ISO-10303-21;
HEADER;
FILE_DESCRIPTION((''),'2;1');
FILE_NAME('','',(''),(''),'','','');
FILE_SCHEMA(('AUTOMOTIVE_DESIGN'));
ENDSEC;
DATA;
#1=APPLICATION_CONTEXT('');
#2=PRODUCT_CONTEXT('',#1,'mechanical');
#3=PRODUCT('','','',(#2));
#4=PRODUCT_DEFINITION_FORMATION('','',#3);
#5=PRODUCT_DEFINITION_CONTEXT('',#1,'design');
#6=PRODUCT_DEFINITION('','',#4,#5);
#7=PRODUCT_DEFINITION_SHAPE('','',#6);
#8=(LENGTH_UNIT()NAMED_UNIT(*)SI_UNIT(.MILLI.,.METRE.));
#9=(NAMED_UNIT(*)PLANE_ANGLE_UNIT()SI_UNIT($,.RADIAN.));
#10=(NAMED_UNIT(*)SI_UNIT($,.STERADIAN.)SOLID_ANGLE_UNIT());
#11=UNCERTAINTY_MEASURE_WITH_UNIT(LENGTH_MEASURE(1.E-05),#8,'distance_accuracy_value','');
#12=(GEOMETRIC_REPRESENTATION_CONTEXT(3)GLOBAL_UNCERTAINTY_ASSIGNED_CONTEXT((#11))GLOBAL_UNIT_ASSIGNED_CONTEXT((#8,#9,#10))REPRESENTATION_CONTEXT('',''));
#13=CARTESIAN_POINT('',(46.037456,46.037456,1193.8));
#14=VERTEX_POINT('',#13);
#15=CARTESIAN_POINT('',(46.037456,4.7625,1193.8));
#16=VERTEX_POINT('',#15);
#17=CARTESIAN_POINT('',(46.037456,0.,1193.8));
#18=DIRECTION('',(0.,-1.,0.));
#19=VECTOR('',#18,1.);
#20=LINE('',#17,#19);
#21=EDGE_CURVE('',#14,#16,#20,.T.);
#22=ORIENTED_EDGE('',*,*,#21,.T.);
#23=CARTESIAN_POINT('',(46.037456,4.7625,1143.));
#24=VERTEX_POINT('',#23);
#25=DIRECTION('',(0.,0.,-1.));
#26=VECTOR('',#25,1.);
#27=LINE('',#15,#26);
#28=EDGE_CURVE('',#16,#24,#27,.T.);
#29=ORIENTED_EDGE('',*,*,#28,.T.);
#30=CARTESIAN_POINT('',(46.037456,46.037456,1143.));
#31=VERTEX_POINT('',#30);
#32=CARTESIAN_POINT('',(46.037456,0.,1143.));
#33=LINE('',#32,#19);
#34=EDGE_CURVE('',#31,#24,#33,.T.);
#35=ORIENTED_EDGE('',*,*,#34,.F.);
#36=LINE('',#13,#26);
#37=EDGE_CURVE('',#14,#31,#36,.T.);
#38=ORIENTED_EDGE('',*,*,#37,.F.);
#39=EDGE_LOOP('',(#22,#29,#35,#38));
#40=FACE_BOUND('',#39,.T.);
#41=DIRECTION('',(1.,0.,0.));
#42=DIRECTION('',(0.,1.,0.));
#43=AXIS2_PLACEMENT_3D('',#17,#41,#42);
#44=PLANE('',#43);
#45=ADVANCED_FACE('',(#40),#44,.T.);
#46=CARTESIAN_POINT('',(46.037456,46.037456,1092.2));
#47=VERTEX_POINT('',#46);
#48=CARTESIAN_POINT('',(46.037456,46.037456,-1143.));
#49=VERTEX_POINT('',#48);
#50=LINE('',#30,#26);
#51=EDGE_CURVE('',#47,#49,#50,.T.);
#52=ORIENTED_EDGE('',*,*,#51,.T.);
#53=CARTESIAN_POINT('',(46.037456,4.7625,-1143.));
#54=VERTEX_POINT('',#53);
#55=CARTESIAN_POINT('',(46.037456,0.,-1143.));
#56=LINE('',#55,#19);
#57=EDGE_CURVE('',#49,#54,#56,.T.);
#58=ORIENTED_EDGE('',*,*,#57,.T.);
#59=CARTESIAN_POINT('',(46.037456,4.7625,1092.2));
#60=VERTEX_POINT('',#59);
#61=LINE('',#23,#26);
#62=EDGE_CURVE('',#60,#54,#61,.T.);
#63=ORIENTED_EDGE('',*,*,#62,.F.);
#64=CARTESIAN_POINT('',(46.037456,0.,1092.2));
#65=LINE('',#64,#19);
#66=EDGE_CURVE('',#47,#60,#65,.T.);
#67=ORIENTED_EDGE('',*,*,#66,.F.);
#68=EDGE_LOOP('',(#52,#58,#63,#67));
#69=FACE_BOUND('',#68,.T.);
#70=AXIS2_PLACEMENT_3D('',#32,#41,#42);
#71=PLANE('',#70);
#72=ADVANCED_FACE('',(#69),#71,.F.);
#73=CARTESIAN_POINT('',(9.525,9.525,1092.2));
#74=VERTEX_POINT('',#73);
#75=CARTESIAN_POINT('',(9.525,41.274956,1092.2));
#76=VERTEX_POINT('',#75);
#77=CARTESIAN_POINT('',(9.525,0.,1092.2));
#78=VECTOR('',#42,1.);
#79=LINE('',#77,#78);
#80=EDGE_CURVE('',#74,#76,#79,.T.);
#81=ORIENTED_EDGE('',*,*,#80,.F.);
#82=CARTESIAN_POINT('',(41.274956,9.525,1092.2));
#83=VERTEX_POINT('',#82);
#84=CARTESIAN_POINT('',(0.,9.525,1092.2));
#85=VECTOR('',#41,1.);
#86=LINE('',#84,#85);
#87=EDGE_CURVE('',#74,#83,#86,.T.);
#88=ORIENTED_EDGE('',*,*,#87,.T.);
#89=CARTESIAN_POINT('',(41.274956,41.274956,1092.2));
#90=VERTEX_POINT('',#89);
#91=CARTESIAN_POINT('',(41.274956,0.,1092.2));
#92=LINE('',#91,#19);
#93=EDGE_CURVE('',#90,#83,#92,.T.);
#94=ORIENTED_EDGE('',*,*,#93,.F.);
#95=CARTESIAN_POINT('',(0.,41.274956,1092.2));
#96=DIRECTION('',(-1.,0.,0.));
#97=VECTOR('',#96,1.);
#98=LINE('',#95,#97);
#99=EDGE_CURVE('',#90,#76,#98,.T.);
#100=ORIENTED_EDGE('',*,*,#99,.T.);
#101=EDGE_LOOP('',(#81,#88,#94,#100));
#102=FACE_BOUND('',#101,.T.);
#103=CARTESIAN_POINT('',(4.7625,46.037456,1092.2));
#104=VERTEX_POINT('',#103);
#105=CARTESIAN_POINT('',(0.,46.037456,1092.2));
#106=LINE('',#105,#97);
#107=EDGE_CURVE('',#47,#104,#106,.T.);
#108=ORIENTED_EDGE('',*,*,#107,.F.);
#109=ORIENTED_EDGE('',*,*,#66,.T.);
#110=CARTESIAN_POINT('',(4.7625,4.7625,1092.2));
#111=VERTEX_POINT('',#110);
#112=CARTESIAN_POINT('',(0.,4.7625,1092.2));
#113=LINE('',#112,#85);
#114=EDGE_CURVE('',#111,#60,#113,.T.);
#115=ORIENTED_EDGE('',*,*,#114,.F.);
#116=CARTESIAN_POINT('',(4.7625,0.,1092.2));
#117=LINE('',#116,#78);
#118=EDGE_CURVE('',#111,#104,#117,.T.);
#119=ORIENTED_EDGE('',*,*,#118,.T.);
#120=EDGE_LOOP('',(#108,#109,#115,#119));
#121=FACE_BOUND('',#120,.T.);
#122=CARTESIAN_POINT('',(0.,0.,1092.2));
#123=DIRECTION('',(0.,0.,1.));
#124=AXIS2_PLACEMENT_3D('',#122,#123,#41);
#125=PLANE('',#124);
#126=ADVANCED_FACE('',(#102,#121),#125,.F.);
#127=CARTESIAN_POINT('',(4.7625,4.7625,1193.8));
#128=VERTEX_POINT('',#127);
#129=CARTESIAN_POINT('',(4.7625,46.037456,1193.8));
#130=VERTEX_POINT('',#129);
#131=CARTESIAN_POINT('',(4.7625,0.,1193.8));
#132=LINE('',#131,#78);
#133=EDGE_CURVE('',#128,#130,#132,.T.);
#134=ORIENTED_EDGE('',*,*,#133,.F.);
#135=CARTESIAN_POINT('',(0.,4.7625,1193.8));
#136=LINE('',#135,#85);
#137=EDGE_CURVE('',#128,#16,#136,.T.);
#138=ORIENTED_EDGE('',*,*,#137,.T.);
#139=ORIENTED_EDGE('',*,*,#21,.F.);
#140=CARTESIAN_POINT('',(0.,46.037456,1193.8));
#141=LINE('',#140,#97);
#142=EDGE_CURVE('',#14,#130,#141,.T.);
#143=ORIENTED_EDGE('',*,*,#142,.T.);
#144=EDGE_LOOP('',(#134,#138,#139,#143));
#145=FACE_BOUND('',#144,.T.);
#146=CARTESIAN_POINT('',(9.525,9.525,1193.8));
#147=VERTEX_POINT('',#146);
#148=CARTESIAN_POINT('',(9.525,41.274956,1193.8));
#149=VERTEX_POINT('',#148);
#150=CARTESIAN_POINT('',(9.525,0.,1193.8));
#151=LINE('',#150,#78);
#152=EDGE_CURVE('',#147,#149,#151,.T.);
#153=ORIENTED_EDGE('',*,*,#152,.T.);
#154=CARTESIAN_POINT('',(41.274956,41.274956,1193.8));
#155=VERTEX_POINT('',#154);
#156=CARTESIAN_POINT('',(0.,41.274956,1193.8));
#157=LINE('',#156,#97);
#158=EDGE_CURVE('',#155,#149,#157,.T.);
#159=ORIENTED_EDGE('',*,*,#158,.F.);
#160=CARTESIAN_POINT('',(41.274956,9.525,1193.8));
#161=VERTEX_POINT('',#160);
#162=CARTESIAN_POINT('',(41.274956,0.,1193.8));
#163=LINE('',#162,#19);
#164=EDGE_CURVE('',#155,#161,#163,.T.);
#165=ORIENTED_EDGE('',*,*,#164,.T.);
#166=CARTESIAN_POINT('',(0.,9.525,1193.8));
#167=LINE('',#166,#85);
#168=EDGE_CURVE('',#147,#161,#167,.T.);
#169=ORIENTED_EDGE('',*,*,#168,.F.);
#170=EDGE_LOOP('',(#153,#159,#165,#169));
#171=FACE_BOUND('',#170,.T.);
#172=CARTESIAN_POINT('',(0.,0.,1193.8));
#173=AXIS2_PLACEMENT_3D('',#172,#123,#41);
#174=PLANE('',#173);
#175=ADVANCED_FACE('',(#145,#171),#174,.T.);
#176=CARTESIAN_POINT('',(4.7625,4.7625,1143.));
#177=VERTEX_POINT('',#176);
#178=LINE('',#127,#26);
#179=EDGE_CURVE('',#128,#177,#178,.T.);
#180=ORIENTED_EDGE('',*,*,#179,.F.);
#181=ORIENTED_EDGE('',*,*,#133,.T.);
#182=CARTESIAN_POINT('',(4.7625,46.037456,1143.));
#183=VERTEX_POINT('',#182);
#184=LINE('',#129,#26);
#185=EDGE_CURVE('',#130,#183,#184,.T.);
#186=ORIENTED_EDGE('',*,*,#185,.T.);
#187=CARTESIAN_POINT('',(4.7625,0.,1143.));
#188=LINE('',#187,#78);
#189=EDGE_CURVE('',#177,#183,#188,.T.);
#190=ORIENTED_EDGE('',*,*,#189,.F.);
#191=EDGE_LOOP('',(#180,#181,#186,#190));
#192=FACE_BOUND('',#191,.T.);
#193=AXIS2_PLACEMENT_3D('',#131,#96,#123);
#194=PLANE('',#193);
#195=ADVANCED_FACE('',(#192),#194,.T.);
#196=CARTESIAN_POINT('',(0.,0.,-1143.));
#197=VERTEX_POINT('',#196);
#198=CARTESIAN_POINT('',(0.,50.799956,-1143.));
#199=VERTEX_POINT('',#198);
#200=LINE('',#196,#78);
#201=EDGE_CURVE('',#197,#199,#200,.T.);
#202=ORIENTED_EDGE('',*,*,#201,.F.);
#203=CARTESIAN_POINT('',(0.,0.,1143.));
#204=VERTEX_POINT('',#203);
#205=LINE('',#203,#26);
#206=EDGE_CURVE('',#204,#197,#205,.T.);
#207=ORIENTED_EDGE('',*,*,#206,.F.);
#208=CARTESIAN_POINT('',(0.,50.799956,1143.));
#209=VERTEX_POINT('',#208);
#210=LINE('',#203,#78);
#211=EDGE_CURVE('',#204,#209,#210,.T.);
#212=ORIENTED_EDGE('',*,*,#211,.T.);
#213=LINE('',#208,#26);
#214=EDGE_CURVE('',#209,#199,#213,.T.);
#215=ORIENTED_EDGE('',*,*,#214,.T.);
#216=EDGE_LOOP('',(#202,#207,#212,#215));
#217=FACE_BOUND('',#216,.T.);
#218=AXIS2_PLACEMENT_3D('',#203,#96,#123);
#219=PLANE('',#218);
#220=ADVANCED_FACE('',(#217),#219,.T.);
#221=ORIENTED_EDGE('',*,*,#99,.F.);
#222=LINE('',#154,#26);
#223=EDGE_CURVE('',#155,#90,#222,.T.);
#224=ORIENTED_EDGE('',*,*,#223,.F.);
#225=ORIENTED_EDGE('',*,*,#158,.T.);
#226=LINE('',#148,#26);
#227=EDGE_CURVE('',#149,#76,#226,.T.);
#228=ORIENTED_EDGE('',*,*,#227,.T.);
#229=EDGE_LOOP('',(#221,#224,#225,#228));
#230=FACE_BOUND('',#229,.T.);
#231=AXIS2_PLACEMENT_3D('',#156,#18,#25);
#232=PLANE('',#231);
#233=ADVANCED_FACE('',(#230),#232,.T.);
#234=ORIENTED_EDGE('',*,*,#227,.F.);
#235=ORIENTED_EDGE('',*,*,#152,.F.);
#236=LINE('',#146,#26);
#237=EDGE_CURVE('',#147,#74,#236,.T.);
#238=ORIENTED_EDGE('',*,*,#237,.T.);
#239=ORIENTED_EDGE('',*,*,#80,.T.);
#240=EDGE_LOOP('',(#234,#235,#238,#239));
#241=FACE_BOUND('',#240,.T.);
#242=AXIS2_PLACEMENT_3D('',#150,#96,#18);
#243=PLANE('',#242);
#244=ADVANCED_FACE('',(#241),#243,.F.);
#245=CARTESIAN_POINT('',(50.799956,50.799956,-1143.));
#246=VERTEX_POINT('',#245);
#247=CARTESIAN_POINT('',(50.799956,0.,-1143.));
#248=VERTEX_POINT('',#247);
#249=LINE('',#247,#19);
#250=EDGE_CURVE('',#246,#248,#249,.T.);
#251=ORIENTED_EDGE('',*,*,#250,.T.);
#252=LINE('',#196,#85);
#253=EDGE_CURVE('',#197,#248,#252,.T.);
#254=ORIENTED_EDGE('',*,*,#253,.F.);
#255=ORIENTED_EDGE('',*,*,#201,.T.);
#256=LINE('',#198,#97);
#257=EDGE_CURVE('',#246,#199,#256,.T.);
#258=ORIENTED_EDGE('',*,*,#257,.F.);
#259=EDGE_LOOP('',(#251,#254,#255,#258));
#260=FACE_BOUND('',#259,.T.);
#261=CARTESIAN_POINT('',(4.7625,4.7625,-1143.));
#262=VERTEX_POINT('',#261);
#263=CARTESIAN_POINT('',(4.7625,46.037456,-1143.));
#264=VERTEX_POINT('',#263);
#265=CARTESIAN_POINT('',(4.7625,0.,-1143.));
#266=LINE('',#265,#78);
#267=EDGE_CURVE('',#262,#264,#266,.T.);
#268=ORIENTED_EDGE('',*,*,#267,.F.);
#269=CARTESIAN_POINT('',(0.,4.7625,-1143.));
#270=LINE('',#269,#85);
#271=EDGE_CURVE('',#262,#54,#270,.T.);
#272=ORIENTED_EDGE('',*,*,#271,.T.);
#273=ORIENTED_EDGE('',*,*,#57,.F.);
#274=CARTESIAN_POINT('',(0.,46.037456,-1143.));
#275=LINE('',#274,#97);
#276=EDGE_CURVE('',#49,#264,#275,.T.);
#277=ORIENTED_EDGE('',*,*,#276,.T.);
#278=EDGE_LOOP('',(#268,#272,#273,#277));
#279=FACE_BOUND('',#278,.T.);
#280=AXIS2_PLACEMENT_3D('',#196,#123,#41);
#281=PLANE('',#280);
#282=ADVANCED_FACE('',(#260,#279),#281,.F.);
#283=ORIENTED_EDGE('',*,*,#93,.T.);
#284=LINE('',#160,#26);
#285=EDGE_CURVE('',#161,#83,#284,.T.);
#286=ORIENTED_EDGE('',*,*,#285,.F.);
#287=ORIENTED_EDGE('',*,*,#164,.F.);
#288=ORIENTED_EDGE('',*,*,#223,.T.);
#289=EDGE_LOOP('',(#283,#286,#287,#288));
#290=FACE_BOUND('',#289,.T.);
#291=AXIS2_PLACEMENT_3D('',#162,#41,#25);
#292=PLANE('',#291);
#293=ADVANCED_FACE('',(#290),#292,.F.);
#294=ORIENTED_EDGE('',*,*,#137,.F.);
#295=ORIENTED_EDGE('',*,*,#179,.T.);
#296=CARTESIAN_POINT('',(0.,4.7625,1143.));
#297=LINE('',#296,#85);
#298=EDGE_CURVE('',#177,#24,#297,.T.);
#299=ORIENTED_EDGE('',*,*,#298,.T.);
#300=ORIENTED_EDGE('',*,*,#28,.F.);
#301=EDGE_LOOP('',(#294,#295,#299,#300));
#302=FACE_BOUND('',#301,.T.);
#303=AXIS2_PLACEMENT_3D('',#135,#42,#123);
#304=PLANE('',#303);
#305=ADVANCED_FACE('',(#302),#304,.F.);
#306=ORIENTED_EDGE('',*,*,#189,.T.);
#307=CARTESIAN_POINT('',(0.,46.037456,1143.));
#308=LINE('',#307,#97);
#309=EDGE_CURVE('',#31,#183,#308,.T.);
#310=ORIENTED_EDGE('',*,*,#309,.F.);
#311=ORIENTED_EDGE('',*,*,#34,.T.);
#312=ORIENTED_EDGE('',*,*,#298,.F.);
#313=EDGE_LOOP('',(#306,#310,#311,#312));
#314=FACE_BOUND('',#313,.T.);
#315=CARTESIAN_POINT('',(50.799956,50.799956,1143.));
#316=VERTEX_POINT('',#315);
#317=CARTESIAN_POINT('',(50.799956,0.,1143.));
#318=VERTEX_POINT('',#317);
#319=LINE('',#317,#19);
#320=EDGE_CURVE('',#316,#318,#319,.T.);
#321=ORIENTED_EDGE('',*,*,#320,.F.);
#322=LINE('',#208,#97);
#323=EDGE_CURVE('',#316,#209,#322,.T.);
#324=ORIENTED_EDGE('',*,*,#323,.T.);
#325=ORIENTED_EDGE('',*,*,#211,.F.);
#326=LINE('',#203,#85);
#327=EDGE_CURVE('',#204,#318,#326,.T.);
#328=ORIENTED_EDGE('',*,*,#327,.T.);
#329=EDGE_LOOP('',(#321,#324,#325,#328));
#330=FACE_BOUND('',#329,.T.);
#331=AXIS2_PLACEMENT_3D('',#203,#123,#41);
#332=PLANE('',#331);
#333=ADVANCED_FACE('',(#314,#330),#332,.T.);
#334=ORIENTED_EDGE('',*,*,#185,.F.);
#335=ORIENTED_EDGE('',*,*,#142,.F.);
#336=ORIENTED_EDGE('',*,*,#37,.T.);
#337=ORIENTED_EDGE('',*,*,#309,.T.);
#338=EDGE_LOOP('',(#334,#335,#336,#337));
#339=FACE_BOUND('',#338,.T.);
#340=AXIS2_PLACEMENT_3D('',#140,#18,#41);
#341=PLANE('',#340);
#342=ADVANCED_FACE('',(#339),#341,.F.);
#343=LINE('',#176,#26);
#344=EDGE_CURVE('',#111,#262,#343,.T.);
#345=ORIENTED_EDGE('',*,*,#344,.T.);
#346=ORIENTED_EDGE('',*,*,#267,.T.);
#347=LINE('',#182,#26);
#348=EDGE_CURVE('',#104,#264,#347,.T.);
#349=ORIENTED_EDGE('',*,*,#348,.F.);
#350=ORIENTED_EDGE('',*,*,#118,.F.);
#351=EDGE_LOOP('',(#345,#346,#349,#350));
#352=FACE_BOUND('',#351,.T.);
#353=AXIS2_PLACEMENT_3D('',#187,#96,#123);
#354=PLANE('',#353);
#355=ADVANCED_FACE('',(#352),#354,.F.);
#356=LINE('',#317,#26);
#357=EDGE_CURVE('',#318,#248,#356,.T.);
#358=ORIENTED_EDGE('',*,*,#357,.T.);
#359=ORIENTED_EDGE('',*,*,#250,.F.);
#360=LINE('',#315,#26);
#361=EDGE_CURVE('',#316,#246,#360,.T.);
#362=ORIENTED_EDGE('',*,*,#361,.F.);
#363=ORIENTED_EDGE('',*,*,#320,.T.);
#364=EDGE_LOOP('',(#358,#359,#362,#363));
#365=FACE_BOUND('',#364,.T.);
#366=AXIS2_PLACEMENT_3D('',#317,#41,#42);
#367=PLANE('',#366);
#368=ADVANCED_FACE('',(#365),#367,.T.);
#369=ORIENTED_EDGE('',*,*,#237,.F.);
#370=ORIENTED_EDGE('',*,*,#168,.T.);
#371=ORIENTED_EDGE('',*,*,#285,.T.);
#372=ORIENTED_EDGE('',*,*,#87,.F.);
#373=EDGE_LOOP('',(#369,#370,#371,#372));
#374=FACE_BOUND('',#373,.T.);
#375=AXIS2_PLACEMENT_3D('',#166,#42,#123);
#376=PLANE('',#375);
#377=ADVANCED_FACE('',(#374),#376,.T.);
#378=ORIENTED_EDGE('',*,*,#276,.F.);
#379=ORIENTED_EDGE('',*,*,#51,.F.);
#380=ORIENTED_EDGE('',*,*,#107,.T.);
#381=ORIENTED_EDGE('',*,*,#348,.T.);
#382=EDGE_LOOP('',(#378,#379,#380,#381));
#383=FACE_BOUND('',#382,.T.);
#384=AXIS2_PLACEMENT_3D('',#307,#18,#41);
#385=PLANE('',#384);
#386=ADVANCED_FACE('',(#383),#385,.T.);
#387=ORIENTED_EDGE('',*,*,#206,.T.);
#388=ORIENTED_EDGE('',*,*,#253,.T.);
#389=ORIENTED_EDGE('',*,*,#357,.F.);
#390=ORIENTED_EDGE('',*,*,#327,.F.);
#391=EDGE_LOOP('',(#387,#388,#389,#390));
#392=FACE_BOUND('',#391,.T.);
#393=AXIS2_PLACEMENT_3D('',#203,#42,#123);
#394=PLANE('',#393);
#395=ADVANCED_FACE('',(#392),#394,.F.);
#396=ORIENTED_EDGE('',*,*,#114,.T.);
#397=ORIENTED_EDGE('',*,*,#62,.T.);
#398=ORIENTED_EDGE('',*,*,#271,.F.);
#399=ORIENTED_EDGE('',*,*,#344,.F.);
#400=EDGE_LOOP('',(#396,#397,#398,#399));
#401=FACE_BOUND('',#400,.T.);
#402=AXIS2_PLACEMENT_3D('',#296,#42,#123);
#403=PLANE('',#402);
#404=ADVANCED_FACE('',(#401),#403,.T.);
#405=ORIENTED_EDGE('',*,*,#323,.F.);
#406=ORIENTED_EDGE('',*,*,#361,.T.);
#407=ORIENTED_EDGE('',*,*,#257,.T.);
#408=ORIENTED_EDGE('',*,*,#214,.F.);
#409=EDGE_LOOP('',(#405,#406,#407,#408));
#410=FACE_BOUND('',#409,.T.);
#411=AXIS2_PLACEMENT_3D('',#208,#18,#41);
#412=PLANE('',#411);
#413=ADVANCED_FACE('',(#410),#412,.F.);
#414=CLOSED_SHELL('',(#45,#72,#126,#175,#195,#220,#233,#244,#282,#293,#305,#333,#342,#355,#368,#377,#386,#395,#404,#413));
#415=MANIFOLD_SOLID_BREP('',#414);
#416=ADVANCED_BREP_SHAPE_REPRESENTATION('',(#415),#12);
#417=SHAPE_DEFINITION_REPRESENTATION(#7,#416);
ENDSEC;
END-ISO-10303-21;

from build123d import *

# Parameters (mm, degrees)
SKETCH1_W           = 50.799956
SKETCH1_H           = 50.799956
SKETCH1_W_2         = 41.274956
SKETCH1_H_2         = 41.274956
BASETUBE_DEPTH      = 1143
BOSS_EXTRUDE2_START = 1143
SKETCH1_3_W         = 41.274956
SKETCH1_3_H         = 41.274956
SKETCH1_3_W_2       = 31.749956
SKETCH1_3_H_2       = 31.749956
BOSS_EXTRUDE2_DEPTH = 50.8


with BuildPart() as part:
    # Sketch1 → BaseTube (new, symmetric)
    with BuildSketch(Plane.XY):
        with Locations((25.399978, 25.399978)):
            Rectangle(SKETCH1_W, SKETCH1_H)
        with Locations((25.399978, 25.399978)):
            Rectangle(SKETCH1_W_2, SKETCH1_H_2, mode=Mode.SUBTRACT)
    extrude(amount=BASETUBE_DEPTH, both=True)

    # Sketch1<3> → Boss-Extrude2 (add, symmetric)
    with BuildSketch(Plane.XY.offset(BOSS_EXTRUDE2_START)):
        with Locations((25.399978, 25.399978)):
            Rectangle(SKETCH1_3_W, SKETCH1_3_H)
        with Locations((25.399978, 25.399978)):
            Rectangle(SKETCH1_3_W_2, SKETCH1_3_H_2, mode=Mode.SUBTRACT)
    extrude(amount=BOSS_EXTRUDE2_DEPTH, both=True)


solid = part.part
